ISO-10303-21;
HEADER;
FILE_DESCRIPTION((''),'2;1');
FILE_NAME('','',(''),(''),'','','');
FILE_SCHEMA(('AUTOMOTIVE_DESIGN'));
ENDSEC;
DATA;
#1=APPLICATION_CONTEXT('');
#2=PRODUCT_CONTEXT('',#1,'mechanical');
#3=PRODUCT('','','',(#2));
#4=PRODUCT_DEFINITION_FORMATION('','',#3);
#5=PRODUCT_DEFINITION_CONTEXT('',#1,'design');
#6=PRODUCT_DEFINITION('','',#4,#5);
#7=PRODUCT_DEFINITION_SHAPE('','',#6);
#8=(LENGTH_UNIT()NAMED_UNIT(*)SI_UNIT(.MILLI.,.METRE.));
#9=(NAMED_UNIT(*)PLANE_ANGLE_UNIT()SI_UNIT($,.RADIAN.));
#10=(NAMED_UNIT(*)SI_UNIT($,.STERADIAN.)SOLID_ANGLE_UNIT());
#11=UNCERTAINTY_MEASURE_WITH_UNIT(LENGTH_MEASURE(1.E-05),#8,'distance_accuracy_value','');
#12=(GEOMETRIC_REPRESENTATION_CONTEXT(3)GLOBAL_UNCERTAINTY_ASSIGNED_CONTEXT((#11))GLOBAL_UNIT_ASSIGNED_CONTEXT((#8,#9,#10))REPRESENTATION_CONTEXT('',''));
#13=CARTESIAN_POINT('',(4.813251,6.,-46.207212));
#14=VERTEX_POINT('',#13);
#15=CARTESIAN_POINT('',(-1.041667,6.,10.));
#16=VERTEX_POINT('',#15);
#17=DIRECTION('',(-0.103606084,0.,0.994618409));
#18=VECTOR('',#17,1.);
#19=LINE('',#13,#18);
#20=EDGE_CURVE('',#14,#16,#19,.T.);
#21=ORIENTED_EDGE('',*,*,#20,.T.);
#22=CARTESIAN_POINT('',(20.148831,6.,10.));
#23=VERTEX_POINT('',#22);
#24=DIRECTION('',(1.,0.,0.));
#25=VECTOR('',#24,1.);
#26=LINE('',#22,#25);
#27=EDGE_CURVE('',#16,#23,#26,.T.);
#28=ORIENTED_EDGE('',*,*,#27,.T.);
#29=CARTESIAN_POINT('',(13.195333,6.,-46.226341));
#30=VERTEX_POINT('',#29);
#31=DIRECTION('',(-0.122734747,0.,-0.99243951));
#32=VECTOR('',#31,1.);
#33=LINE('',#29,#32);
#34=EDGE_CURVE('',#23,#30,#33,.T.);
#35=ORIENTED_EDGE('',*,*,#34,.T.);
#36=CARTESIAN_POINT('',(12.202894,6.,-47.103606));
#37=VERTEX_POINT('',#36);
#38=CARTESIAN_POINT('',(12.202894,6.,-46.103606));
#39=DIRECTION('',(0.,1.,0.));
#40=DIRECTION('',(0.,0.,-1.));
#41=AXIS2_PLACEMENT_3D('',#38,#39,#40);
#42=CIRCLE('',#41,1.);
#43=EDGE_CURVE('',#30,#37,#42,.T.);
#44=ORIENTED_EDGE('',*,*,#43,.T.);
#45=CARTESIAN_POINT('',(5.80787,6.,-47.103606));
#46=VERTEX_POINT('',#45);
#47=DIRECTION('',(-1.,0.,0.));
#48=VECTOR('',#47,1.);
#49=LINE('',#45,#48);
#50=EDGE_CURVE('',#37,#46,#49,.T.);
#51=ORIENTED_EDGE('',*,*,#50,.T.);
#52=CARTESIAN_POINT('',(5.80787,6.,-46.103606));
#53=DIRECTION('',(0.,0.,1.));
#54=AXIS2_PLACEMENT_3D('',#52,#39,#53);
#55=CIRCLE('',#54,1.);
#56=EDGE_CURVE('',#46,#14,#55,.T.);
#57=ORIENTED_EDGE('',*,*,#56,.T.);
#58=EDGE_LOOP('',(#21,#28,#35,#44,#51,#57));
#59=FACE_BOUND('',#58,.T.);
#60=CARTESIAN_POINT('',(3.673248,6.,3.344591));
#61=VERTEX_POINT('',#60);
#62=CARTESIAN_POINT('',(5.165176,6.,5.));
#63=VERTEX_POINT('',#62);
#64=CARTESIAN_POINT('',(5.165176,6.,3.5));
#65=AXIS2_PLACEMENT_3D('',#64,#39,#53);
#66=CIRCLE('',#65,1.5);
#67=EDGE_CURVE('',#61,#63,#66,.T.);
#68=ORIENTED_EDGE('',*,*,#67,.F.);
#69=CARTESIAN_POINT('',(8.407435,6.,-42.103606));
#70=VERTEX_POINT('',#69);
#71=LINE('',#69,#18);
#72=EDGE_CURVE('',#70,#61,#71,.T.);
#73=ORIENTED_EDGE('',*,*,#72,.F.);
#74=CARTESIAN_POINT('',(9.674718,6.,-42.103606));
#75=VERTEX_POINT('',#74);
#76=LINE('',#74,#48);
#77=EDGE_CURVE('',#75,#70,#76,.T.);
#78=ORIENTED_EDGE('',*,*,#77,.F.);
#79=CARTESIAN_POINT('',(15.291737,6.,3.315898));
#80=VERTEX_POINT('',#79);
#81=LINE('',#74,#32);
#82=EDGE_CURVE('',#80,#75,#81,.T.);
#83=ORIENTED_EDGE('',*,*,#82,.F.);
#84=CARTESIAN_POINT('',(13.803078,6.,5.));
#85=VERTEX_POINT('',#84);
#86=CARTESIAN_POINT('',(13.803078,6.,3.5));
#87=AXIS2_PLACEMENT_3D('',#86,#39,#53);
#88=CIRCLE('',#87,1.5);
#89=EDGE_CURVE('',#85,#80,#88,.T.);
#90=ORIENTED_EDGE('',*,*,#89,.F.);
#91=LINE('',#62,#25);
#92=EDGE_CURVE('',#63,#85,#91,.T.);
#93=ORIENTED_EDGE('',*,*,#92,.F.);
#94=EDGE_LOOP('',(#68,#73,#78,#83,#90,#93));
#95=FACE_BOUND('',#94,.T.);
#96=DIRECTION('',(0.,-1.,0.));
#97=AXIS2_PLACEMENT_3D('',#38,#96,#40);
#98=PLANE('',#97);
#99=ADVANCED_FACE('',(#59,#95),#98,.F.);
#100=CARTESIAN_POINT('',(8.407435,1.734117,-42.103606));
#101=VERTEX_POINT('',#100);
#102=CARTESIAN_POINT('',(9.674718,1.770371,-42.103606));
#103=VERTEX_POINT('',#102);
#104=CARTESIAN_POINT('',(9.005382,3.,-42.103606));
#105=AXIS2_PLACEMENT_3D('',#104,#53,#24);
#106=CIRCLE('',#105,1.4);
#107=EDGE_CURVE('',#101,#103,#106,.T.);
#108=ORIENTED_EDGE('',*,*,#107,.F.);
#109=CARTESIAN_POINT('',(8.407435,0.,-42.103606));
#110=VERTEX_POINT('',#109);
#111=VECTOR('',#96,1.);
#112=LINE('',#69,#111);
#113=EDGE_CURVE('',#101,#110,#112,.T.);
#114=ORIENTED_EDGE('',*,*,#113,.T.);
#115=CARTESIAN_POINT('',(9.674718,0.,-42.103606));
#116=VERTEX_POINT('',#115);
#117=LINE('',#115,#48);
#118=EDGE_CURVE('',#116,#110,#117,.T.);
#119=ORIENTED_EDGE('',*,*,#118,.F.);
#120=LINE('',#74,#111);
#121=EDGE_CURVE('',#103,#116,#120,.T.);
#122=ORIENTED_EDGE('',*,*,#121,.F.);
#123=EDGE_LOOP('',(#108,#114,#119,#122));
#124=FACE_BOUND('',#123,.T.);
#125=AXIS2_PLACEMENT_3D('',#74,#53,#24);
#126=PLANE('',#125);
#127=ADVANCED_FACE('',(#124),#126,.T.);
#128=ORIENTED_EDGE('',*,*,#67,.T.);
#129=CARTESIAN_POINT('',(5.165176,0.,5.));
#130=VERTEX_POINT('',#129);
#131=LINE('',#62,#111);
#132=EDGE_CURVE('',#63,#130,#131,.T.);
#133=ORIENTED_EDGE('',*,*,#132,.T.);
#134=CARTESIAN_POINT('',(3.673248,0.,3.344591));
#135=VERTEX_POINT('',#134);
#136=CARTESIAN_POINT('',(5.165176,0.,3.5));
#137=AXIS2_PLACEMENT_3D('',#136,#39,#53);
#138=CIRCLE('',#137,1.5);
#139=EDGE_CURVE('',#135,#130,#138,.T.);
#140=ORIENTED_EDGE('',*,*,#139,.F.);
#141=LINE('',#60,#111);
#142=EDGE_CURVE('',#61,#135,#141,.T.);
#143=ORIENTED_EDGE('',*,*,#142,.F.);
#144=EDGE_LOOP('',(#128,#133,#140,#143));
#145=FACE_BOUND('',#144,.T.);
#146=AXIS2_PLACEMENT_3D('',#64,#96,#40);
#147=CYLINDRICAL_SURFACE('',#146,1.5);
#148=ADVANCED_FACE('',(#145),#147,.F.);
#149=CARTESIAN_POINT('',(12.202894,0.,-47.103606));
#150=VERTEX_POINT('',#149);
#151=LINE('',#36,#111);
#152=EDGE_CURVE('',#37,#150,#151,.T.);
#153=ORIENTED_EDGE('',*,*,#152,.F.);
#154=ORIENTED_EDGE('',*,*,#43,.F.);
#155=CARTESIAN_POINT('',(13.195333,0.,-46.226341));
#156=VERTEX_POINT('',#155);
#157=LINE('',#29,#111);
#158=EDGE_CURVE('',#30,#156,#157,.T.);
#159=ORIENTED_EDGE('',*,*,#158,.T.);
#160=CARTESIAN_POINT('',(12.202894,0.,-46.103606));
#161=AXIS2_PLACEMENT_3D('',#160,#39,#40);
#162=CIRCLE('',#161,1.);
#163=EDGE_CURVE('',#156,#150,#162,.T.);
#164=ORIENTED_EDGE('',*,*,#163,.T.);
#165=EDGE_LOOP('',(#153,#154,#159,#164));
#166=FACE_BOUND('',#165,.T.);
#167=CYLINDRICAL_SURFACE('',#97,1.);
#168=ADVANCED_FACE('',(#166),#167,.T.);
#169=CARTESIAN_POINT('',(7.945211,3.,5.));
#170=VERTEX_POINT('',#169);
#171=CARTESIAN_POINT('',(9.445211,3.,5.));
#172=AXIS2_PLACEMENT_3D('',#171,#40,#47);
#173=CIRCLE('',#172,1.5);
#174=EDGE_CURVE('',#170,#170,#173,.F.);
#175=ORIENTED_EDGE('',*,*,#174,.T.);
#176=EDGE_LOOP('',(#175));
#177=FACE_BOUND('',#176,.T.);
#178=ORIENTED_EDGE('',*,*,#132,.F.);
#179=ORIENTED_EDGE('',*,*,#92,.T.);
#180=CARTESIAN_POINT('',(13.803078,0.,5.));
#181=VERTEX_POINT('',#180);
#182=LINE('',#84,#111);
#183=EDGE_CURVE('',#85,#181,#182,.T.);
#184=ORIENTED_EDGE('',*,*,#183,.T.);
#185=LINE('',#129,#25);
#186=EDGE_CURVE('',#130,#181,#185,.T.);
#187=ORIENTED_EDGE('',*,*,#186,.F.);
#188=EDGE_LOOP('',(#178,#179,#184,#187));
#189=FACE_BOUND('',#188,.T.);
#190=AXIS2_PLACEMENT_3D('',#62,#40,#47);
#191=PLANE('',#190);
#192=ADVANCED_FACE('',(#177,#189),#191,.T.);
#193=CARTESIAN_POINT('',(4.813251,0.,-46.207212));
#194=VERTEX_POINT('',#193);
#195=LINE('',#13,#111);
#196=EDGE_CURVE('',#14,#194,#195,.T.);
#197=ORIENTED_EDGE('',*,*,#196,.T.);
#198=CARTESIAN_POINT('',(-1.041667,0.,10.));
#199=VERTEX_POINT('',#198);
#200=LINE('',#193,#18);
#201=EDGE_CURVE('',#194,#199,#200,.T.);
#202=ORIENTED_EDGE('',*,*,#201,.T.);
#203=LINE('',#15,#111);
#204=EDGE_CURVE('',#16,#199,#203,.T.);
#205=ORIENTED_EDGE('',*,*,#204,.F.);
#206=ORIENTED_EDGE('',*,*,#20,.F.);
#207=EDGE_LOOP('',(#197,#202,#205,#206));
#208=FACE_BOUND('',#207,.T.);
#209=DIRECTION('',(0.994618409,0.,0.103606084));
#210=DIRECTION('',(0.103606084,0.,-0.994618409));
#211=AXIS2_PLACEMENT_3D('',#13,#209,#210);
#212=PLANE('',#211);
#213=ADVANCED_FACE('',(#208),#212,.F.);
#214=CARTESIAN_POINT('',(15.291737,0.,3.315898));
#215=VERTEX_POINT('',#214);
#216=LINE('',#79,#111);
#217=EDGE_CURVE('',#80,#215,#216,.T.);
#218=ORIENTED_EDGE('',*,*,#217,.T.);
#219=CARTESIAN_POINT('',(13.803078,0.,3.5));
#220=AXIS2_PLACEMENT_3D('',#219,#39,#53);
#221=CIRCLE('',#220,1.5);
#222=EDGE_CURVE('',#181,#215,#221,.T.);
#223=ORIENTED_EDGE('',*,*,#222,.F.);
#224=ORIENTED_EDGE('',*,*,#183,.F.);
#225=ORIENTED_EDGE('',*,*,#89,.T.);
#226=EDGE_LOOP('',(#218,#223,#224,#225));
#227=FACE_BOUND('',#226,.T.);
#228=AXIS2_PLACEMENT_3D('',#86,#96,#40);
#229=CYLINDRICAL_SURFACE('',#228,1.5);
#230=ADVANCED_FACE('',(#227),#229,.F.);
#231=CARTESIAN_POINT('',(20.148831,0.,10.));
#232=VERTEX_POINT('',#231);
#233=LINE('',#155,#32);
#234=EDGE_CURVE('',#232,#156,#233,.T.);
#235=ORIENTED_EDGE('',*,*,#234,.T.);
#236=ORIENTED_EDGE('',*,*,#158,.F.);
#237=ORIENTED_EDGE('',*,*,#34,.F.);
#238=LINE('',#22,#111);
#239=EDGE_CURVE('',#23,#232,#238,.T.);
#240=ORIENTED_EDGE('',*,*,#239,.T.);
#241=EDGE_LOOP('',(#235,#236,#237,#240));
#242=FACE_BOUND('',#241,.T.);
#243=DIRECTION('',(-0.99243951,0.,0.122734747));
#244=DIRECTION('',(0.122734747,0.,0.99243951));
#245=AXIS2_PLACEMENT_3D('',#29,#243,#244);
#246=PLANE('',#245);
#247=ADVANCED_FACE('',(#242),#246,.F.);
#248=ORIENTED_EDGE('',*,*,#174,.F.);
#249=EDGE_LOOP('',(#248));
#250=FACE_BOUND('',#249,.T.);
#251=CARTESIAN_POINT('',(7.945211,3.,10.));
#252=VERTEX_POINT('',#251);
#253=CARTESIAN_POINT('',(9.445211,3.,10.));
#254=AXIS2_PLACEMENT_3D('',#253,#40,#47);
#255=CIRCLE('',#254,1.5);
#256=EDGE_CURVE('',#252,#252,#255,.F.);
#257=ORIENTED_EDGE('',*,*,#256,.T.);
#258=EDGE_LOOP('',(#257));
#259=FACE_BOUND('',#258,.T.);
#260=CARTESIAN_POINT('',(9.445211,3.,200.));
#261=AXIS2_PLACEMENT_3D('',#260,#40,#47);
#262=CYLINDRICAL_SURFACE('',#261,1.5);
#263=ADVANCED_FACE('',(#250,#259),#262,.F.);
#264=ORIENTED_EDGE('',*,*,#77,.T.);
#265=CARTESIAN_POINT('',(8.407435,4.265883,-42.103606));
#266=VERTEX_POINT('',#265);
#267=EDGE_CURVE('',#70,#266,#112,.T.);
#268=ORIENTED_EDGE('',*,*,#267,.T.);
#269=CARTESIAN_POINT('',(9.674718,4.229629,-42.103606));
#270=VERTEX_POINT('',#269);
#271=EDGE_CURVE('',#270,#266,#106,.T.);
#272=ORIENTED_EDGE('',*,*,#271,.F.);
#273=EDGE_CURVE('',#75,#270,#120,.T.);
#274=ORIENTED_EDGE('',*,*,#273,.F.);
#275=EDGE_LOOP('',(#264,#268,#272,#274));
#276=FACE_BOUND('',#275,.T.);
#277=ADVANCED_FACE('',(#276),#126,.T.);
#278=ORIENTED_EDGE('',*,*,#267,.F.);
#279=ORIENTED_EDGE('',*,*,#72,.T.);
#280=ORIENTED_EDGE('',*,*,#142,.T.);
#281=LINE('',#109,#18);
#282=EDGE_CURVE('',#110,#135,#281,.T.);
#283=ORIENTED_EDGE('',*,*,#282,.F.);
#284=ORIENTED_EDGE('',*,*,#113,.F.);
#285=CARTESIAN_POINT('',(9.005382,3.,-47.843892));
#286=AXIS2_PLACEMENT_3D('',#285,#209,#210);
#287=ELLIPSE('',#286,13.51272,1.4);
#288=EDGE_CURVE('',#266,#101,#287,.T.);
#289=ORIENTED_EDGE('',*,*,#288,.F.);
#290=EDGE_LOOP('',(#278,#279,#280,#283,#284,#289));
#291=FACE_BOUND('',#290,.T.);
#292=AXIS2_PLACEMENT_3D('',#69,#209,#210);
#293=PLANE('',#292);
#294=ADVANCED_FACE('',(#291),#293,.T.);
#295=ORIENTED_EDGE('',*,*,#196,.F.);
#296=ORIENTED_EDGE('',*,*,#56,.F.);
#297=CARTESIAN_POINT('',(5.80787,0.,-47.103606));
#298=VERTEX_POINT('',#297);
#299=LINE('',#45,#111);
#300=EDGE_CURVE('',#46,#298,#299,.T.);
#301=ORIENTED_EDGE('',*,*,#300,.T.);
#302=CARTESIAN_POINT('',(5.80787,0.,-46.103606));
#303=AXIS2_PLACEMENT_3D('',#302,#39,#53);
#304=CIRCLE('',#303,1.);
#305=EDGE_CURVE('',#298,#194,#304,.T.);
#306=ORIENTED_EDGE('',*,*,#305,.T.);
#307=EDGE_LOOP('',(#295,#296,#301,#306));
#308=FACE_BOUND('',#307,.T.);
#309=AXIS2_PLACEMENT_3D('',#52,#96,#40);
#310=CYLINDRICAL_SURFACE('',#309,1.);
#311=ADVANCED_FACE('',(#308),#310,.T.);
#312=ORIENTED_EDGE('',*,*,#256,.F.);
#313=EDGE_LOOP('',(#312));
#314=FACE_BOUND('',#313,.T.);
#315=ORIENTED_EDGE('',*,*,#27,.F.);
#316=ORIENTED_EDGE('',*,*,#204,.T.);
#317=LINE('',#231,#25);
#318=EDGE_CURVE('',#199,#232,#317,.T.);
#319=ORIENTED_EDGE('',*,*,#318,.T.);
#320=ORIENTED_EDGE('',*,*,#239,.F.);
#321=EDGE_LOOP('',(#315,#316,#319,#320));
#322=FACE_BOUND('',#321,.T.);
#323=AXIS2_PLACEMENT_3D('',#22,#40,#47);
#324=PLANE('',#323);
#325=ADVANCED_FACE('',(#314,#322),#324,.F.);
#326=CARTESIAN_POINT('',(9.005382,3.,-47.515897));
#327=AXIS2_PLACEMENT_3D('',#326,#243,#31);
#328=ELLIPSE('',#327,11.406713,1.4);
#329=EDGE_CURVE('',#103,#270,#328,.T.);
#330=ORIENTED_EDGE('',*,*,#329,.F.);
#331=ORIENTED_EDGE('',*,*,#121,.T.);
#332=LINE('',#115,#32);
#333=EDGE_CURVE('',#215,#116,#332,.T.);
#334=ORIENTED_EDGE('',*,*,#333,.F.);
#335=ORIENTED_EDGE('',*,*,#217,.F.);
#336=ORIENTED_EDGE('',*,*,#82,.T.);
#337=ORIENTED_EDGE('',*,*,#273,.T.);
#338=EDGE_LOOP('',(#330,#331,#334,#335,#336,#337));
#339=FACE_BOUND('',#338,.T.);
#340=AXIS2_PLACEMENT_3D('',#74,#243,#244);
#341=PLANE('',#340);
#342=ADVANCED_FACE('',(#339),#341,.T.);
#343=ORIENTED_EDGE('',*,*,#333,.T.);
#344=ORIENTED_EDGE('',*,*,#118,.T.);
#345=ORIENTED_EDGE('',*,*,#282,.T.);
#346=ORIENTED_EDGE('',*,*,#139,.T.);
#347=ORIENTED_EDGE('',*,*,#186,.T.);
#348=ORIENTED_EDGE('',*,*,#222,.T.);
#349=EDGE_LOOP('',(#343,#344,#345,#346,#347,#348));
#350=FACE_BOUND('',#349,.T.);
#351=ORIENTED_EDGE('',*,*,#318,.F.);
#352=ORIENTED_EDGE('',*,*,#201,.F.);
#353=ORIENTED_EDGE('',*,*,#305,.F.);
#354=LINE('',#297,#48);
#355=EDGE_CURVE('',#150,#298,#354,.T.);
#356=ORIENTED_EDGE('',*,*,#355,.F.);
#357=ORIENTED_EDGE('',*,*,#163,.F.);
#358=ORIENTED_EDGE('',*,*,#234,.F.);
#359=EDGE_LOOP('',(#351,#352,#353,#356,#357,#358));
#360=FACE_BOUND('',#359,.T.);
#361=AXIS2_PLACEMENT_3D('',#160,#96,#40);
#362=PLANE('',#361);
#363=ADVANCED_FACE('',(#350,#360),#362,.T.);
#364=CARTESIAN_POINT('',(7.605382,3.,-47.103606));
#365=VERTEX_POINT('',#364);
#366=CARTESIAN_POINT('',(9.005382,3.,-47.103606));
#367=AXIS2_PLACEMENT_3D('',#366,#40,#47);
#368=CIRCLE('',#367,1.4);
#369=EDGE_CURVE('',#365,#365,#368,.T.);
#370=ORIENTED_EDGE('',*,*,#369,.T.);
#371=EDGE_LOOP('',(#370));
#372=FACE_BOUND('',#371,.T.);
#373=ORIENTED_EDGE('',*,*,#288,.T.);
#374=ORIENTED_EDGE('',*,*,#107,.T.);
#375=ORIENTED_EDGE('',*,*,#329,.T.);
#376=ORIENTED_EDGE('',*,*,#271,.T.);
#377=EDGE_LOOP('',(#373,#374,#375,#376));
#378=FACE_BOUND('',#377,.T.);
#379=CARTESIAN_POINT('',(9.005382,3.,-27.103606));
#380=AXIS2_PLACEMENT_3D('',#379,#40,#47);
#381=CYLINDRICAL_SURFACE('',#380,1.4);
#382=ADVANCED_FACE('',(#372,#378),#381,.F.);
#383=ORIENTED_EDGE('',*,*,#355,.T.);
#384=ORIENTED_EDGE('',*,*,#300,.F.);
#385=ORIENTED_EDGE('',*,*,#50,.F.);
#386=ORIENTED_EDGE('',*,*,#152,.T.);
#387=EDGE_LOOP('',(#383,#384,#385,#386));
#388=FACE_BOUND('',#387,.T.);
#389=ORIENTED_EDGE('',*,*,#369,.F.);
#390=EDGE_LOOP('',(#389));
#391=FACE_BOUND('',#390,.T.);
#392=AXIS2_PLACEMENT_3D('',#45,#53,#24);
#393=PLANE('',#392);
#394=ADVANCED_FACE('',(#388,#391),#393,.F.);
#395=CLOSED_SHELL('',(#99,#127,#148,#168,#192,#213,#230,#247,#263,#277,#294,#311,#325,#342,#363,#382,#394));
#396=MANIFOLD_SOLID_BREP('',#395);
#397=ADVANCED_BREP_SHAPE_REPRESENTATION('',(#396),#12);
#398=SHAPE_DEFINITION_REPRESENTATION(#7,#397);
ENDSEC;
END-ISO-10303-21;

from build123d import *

# Parameters (mm, degrees)
BOSS_EXTRUDE1_DEPTH = 6
SKETCH3_R           = 1.4
CUT_EXTRUDE1_DEPTH  = 20
SKETCH4_R           = 1.5
CUT_EXTRUDE2_DEPTH  = 200


with BuildPart() as part:
    # Sketch1 → Boss-Extrude1 (new body)
    with BuildSketch(Plane(origin=(0, 0, 0), x_dir=(1, 0, 0), z_dir=(0, 1, 0))):
        with BuildLine():
            Line((5.807869676, 47.103606084), (12.202893506, 47.103606084))
            ThreePointArc((12.202893506, 47.103606084), (12.865186965, 46.85285062), (13.195333016, 46.226340832))
            Line((13.195333016, 46.226340832), (20.148830597, -10))
            Line((20.148830597, -10), (-1.041666667, -10))
            Line((-1.041666667, -10), (4.813251268, 46.207212169))
            ThreePointArc((4.813251268, 46.207212169), (5.13839454, 46.846440549), (5.807869676, 47.103606084))
        make_face()
        with BuildLine():
            Line((9.674718252, 42.103606084), (15.291737007, -3.315897879))
            ThreePointArc((15.291737007, -3.315897879), (14.926944544, -4.493440189), (13.803077741, -5))
            Line((13.803077741, -5), (5.165175568, -5))
            ThreePointArc((5.165175568, -5), (4.050923871, -4.504212704), (3.673247955, -3.344590874))
            Line((3.673247955, -3.344590874), (8.407435138, 42.103606084))
            Line((8.407435138, 42.103606084), (9.674718252, 42.103606084))
        make_face(mode=Mode.SUBTRACT)
    extrude(amount=BOSS_EXTRUDE1_DEPTH)

    # Sketch3 → Cut-Extrude1 (cut)
    with BuildSketch(Plane(origin=(0, 0, -47.103606084), x_dir=(-1, 0, 0), z_dir=(0, 0, -1))):
        with Locations((-9.005381591, 3)):
            Circle(SKETCH3_R)
    extrude(amount=-CUT_EXTRUDE1_DEPTH, mode=Mode.SUBTRACT)

    # Sketch4 → Cut-Extrude2 (cut)
    with BuildSketch(Plane.XY):
        with Locations(Location((9.445211312, 3, 0), (0, 0, 180))):
            Circle(SKETCH4_R)
    extrude(amount=CUT_EXTRUDE2_DEPTH, mode=Mode.SUBTRACT)


solid = part.part
